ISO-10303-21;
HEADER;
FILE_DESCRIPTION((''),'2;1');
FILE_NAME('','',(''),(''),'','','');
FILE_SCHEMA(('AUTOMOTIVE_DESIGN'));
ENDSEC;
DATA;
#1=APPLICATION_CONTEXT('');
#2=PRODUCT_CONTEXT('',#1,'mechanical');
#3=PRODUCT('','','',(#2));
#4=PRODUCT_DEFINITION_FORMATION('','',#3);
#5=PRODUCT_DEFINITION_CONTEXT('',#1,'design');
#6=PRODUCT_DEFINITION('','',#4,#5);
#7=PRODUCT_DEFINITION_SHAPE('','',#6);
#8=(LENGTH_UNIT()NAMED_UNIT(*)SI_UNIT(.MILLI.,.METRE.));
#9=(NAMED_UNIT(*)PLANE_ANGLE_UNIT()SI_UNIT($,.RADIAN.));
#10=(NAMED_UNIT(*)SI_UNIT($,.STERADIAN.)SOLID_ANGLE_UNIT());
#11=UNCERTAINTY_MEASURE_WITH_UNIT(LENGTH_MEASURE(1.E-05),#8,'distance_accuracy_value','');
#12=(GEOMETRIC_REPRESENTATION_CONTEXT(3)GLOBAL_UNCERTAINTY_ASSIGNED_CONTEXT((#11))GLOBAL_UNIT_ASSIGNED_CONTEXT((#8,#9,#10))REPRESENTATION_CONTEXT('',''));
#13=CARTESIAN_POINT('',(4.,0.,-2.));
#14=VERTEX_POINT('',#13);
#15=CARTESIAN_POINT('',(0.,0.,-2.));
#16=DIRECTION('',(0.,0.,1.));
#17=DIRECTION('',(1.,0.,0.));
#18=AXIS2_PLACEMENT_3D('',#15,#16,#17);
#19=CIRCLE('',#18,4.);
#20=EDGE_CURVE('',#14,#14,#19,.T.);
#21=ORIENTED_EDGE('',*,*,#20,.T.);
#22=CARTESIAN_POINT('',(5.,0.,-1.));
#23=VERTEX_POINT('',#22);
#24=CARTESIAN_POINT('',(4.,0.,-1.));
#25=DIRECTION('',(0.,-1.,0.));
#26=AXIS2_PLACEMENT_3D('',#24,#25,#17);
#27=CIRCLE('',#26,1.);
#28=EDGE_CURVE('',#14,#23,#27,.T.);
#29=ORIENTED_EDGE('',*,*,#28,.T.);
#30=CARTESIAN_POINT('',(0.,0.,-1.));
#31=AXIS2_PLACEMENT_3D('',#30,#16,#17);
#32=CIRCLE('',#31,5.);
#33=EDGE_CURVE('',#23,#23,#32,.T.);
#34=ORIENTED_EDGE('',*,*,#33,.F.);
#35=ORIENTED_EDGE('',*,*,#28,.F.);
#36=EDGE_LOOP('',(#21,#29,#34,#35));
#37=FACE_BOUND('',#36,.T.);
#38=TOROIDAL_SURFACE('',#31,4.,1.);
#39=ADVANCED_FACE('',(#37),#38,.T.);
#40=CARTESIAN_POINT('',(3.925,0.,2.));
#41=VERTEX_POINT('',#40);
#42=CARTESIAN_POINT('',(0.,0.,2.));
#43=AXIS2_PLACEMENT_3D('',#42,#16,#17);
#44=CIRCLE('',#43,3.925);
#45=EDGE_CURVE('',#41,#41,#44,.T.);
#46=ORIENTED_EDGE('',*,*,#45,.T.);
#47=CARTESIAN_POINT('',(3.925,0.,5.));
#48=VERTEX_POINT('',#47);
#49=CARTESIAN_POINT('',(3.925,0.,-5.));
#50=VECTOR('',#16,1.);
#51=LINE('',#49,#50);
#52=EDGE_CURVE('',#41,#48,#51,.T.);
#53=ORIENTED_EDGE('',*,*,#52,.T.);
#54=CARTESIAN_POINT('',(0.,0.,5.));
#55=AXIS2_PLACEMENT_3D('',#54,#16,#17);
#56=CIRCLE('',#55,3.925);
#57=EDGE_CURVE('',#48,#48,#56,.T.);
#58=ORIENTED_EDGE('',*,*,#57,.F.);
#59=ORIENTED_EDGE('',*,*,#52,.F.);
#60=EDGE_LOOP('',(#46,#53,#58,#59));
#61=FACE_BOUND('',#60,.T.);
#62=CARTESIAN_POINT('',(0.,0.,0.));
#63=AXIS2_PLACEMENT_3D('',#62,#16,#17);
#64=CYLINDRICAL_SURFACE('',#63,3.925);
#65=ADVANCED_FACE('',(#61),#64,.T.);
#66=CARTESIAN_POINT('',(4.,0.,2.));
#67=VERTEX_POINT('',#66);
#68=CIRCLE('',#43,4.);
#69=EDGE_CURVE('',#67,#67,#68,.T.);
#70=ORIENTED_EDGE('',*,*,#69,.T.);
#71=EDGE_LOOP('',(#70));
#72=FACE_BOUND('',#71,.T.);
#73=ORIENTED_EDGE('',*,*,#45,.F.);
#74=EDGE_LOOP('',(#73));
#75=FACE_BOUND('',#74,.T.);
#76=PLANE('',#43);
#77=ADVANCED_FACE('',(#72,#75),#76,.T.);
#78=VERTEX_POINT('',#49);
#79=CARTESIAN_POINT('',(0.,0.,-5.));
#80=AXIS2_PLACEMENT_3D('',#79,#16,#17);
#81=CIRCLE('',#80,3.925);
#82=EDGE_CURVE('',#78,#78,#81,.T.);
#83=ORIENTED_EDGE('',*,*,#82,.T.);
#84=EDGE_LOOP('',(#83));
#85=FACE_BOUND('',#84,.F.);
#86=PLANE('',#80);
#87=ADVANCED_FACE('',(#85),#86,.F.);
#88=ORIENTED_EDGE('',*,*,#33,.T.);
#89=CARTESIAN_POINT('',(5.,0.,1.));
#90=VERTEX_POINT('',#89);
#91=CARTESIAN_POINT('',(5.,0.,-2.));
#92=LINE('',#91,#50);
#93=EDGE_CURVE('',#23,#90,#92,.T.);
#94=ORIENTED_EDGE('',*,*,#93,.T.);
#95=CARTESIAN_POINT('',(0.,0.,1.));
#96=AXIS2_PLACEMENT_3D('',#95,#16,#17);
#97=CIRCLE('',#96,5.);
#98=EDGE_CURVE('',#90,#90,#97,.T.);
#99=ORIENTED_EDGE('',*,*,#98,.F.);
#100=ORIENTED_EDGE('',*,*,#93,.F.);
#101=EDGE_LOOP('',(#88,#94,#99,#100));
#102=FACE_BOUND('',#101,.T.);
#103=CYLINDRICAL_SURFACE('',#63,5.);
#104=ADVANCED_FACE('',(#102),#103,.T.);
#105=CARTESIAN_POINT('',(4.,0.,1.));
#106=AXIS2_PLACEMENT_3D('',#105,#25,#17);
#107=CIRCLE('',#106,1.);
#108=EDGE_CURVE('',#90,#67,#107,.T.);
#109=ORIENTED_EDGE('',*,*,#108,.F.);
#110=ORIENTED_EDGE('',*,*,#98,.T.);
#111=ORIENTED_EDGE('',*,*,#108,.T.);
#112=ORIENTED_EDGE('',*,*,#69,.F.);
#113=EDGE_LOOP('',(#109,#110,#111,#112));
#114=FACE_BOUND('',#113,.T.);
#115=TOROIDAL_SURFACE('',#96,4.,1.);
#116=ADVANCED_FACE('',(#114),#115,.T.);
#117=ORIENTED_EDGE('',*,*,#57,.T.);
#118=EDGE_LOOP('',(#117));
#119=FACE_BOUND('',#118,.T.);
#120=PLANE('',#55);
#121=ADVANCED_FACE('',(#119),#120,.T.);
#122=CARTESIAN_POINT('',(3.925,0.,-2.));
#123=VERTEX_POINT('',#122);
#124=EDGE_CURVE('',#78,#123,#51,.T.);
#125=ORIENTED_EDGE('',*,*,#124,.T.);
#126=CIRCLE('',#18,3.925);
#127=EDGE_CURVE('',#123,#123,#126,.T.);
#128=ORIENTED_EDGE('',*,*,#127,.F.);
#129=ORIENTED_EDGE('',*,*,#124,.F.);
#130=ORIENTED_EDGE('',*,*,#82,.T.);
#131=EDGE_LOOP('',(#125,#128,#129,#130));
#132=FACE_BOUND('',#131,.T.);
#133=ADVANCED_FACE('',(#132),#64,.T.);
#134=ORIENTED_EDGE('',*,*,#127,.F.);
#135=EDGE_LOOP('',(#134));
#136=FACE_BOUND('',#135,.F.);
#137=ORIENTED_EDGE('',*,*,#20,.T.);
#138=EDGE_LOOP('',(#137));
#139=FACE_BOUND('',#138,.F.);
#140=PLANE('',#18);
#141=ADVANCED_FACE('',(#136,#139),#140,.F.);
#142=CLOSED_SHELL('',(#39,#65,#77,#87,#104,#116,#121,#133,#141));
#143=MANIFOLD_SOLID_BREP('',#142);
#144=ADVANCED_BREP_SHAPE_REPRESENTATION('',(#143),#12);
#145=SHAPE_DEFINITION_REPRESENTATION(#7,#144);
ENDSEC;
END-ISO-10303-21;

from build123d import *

# Parameters (mm, degrees)
F0_R     = 3.925
F1_DEPTH = 5
F0_R_2   = 5
F2_DEPTH = 2
F3_R     = 1


with BuildPart() as f1:
    # F0 (on Top) → F1 (new body, symmetric)
    with BuildSketch(Plane.XY):
        Circle(F0_R)
    extrude(amount=F1_DEPTH, both=True)

    # F0 (on Top) → F2 (join, symmetric)
    with BuildSketch(Plane.XY):
        Circle(F0_R_2)
        Circle(F0_R, mode=Mode.SUBTRACT)
    extrude(amount=F2_DEPTH, both=True)

    # F3
    f3_edges = [f1.edges().sort_by_distance(p)[0] for p in [
        (-5, 0, 2),
        (-5, 0, -2),
    ]]
    fillet(f3_edges, radius=F3_R)


solid = f1.part
